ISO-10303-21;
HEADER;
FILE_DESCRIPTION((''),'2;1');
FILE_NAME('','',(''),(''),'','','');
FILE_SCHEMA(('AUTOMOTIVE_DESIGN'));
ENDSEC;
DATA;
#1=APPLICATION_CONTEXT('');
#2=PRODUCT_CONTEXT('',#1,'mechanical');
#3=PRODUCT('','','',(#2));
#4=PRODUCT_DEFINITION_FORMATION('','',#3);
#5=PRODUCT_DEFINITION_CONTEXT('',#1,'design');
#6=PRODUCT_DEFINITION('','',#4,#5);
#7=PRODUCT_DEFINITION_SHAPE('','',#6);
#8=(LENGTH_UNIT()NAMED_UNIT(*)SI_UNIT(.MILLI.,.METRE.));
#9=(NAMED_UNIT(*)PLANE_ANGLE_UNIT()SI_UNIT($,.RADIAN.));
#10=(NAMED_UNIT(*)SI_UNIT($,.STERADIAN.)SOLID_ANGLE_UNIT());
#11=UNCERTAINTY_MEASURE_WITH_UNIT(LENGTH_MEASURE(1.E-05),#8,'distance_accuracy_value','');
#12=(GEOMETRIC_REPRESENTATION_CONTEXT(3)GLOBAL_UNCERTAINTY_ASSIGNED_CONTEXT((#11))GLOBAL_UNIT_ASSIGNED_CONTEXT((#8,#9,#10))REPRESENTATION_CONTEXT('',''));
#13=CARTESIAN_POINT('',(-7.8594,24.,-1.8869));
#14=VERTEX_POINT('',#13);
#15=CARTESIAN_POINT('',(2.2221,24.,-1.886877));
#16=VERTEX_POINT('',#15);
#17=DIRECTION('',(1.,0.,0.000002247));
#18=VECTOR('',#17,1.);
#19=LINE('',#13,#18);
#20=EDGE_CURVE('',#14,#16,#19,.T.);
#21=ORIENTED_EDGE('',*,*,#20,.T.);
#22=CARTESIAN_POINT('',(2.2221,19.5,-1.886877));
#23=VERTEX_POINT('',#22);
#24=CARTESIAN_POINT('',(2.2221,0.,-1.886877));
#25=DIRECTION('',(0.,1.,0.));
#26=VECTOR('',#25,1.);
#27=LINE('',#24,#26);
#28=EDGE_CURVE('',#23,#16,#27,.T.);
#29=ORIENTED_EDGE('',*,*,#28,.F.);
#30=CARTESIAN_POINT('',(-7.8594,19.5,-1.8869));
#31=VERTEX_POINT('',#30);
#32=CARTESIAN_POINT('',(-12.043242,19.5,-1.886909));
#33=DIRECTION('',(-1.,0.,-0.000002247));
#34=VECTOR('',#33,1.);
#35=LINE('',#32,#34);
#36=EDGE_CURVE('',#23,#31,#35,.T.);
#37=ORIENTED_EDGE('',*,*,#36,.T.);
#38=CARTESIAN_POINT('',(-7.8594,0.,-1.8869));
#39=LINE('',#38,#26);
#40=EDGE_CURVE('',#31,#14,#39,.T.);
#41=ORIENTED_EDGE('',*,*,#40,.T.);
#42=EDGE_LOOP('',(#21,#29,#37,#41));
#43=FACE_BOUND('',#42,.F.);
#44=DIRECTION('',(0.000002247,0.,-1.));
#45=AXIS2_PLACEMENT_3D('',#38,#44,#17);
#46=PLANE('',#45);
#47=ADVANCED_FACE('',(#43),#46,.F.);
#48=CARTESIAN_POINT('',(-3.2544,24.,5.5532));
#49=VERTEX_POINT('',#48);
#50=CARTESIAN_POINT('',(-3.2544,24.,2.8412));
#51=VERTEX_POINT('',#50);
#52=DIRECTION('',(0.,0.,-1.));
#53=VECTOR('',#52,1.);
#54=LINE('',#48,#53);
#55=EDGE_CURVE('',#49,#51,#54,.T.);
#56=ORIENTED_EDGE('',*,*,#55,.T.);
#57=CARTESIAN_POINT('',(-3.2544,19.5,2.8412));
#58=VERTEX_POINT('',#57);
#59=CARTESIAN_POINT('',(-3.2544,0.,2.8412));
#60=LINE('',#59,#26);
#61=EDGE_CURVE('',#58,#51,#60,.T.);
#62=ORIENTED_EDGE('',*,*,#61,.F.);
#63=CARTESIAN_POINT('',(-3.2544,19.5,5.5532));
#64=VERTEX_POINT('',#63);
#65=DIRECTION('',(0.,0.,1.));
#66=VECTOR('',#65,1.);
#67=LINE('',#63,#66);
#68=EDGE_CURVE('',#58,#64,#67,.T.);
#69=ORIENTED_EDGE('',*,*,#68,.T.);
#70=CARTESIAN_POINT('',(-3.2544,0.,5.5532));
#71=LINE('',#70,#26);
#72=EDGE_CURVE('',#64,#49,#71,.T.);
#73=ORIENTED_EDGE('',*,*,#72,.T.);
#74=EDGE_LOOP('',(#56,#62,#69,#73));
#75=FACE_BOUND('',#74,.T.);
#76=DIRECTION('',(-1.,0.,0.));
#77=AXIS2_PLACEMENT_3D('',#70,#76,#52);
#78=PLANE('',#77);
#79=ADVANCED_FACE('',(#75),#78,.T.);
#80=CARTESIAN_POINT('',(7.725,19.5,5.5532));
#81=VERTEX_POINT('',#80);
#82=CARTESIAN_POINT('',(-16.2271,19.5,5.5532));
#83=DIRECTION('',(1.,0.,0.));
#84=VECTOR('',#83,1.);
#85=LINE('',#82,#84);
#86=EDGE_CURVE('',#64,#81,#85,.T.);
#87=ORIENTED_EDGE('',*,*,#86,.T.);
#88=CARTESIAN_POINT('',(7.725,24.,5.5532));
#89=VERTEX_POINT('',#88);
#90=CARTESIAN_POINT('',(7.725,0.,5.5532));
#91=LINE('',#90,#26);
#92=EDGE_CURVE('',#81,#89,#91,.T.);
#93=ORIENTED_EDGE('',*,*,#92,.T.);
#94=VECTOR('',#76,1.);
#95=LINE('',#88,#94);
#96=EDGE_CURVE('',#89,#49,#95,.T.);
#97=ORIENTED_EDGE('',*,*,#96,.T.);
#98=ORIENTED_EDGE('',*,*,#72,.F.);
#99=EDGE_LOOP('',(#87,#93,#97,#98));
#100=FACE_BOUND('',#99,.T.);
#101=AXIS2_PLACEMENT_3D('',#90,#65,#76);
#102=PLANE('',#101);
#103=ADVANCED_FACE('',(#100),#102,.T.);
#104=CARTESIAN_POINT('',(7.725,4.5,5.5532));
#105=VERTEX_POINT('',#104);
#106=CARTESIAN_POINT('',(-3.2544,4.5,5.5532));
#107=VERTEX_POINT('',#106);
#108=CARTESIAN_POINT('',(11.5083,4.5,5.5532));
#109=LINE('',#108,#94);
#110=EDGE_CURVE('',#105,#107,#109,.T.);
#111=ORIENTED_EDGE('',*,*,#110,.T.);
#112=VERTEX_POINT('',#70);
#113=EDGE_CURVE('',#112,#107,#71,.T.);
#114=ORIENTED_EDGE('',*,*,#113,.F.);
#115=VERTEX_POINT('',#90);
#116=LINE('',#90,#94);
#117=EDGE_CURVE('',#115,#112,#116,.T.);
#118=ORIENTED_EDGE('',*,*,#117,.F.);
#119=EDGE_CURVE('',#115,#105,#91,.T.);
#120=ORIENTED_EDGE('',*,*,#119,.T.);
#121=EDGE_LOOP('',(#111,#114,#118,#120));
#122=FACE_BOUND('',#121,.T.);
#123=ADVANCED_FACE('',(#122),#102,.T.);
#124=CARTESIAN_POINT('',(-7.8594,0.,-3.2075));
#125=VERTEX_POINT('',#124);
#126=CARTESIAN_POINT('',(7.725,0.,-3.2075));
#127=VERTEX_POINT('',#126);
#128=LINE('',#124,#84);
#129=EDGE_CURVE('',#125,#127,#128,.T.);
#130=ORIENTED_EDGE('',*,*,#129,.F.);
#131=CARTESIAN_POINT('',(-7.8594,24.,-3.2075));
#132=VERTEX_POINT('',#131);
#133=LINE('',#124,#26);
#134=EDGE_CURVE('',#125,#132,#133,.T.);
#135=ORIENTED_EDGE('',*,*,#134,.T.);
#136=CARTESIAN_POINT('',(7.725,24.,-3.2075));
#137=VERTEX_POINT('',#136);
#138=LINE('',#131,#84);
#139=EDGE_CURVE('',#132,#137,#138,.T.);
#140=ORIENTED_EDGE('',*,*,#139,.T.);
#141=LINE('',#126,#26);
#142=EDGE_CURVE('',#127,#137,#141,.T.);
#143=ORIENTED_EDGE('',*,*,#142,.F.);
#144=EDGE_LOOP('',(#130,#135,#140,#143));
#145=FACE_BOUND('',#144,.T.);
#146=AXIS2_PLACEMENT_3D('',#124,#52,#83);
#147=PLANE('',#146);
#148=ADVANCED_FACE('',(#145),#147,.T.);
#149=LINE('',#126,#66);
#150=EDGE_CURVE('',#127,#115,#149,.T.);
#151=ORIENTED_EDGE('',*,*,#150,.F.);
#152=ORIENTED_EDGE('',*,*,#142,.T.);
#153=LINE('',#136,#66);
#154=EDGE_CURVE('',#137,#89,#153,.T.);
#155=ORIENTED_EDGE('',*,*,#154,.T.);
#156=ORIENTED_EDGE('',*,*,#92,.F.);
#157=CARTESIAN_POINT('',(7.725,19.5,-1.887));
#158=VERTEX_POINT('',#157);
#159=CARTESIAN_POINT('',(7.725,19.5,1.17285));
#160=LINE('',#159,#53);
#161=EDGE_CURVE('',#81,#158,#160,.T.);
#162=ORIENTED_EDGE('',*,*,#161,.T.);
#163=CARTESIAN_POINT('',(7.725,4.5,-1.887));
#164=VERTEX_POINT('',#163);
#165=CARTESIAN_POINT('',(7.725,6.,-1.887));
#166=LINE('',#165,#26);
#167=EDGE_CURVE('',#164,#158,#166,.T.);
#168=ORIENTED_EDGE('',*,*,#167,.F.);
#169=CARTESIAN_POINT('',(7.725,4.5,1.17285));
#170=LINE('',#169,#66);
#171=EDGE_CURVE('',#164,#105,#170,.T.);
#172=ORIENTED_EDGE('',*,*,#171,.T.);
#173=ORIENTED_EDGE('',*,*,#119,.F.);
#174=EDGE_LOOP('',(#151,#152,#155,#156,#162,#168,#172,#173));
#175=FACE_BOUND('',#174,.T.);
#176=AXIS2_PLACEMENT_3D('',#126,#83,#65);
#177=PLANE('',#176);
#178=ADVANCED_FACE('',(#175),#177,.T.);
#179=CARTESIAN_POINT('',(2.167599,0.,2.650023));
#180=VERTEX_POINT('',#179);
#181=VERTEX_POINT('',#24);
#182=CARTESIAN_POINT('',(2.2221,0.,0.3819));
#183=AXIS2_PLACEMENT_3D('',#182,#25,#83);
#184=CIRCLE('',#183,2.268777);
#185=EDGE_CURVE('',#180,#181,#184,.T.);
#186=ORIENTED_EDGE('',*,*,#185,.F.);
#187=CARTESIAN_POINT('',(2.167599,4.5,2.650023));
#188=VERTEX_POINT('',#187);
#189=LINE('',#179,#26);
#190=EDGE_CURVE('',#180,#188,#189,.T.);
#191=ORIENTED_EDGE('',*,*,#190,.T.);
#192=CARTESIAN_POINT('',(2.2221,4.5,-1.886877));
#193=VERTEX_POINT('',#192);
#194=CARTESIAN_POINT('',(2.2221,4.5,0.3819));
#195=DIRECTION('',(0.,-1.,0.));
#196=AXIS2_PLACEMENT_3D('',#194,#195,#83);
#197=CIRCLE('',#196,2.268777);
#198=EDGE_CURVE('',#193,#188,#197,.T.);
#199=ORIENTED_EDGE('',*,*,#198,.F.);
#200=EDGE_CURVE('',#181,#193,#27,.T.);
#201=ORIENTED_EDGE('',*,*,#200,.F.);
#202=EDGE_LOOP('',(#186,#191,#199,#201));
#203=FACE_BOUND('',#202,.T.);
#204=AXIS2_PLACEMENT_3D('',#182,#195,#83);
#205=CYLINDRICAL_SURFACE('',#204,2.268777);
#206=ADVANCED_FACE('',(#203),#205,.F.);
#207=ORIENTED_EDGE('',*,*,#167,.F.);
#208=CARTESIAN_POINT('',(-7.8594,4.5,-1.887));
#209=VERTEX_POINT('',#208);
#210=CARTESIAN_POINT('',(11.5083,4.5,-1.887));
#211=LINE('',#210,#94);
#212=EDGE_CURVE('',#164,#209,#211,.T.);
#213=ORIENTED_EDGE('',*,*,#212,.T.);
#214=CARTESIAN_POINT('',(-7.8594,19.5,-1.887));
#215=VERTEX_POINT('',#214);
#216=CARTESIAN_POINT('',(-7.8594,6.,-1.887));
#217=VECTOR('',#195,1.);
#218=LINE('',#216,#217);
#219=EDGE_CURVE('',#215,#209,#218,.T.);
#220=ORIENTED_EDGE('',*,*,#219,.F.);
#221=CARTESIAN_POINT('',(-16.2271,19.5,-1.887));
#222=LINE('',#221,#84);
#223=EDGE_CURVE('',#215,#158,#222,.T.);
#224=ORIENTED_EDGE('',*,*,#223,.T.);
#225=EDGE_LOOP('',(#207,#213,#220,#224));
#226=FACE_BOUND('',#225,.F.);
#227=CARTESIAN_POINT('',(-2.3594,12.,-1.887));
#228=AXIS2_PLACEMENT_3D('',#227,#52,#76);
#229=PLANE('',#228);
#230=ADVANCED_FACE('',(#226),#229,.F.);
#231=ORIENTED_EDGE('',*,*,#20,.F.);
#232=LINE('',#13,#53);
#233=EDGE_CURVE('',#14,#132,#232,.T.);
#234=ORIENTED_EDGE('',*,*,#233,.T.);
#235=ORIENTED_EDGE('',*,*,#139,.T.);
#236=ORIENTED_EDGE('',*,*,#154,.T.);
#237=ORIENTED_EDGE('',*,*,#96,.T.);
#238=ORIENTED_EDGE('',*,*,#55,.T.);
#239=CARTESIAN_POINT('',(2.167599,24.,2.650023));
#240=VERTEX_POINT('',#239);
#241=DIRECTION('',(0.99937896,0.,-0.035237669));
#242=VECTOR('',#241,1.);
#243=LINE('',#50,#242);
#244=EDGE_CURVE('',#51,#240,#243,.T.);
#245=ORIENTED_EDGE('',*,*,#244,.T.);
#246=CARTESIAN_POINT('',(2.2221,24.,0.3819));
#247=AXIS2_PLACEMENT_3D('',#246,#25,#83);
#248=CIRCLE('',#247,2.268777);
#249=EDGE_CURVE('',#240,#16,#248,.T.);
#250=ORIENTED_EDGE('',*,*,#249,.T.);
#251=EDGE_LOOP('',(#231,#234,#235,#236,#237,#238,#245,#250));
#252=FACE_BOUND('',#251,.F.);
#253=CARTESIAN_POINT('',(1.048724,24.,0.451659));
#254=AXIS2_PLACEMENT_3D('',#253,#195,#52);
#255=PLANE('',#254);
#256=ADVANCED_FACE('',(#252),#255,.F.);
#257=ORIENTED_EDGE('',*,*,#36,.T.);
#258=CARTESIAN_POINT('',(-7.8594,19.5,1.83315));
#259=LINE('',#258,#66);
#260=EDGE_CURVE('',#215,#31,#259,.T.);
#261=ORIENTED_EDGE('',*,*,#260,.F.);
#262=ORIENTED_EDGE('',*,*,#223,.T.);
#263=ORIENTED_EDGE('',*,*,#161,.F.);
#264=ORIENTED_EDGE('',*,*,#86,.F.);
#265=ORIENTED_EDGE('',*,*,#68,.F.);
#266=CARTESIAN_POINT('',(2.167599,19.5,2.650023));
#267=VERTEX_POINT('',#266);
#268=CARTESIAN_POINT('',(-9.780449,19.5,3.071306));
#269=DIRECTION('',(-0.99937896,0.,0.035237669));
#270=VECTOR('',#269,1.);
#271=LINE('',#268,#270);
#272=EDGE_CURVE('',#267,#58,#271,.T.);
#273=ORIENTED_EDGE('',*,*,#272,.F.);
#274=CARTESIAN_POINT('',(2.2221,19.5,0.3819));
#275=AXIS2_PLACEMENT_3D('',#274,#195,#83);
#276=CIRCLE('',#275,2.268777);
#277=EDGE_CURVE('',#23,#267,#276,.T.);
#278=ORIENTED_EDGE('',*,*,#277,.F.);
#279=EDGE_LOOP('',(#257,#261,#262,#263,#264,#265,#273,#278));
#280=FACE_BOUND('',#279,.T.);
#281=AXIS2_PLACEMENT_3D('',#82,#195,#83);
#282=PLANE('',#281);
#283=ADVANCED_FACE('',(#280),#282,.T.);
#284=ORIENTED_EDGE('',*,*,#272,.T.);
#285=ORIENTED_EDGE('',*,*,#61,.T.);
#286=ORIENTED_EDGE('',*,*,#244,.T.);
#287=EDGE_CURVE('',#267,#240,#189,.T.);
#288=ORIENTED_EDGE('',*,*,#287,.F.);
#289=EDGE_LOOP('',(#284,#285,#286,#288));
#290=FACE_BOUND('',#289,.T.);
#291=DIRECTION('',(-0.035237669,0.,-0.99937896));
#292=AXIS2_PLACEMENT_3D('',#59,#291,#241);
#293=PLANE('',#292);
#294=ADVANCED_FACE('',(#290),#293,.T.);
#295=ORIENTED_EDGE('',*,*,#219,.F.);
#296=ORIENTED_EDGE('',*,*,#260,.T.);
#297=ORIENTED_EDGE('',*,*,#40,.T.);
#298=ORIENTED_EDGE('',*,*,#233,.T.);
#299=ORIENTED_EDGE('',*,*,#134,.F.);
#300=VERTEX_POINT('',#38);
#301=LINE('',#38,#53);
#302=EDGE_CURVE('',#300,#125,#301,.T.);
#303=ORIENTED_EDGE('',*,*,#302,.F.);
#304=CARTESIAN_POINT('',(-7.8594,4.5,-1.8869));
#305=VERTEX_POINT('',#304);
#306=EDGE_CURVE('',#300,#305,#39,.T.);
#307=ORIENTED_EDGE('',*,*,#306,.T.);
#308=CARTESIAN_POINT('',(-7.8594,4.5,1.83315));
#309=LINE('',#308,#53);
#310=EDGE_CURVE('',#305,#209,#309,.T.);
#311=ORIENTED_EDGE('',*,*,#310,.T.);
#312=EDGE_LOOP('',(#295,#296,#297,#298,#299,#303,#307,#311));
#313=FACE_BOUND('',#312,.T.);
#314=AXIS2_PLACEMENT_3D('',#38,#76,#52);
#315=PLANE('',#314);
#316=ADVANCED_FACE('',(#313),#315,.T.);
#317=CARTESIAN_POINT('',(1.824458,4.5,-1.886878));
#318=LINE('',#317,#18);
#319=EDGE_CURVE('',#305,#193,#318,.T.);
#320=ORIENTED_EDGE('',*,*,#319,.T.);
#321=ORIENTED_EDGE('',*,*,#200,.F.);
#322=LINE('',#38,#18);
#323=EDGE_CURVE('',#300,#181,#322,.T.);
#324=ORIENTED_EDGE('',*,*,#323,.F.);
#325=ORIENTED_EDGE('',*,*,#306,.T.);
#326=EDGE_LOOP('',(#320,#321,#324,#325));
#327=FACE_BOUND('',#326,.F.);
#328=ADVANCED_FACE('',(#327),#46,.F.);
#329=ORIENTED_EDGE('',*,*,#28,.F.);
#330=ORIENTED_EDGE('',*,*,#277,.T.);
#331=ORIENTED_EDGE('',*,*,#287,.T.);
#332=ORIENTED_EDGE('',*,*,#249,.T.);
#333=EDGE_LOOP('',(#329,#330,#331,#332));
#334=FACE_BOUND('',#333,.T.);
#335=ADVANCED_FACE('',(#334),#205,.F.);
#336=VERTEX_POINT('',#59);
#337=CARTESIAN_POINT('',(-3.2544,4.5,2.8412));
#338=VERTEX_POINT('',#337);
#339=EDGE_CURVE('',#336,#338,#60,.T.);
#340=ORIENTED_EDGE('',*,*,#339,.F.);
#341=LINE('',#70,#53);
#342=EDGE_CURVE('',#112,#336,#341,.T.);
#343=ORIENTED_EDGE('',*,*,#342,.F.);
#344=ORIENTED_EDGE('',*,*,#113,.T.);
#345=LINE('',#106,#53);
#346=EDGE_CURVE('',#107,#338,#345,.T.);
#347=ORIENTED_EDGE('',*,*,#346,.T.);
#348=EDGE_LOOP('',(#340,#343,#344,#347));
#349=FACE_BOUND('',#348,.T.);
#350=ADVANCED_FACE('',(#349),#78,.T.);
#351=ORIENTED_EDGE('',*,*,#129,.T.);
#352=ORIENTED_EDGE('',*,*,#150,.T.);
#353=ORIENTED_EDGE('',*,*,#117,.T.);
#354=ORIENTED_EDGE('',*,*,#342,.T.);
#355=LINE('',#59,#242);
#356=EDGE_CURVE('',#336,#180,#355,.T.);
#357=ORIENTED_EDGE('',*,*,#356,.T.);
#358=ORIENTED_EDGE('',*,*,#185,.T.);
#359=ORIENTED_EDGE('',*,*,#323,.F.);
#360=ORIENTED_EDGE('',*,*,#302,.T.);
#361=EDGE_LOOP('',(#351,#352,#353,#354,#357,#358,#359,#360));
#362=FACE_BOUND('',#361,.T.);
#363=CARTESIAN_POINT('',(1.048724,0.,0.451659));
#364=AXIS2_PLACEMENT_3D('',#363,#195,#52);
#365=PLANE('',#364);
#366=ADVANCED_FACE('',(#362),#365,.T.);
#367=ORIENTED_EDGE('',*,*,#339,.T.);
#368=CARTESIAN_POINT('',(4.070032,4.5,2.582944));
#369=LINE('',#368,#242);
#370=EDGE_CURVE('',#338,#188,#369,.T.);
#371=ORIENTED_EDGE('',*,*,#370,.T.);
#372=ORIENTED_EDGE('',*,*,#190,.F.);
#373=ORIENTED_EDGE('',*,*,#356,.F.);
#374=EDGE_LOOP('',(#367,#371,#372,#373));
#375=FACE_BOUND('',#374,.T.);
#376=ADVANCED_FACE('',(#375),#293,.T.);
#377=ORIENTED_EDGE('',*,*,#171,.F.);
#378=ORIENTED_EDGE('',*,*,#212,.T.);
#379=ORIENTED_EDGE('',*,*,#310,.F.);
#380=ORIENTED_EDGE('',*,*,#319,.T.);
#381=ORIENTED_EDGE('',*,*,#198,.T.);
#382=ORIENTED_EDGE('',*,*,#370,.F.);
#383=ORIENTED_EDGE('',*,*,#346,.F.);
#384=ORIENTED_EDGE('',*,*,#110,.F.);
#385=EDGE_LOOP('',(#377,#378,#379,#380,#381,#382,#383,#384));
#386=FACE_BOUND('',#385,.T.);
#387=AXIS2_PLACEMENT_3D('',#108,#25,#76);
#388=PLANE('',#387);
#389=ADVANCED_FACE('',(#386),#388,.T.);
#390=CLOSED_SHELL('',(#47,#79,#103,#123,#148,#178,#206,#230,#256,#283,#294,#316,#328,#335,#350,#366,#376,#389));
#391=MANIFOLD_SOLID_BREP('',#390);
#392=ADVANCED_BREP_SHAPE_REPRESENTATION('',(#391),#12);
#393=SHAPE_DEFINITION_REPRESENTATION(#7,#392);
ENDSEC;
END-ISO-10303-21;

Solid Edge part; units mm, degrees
sketch "Sketch1" plane through (0, 0, 0) normal (0, -1, 0) x (1, 0, 0)
  line L0 (7.725, 5.5532) -> (-3.2544, 5.5532)
  line L1 (-3.2544, 5.5532) -> (-3.2544, 2.8412)
  line L2 (-3.2544, 2.8412) -> (2.1676, 2.65)
  arc A0 (2.1676, 2.65) -> (2.2221, -1.8869) centre (2.2221, 0.3819) cw
  line L3 (-7.8594, -1.8869) -> (2.2221, -1.8869)
  line L4 (-7.8594, -1.8869) -> (-7.8594, -3.2075)
  line L5 (-7.8594, -3.2075) -> (7.725, -3.2075)
  line L6 (7.725, -3.2075) -> (7.725, 5.5532)
extrude "Protrusion1" add sketch "Sketch1" against normal blind 24
sketch "Sketch2" plane through (4.513, 12, 5.5532) normal (0, 0, 1) x (1, 0, 0)
  line L0 (-20.7401, 7.5) -> (6.9953, 7.5)
  line L1 (6.9953, 7.5) -> (6.9953, -7.5)
  line L2 (6.9953, -7.5) -> (-20.7401, -7.5)
  line L3 (-20.7401, -7.5) -> (-20.7401, 7.5)
extrude "Cutout1" cut sketch "Sketch2" against normal up to vertex (7.4402 mm away)
